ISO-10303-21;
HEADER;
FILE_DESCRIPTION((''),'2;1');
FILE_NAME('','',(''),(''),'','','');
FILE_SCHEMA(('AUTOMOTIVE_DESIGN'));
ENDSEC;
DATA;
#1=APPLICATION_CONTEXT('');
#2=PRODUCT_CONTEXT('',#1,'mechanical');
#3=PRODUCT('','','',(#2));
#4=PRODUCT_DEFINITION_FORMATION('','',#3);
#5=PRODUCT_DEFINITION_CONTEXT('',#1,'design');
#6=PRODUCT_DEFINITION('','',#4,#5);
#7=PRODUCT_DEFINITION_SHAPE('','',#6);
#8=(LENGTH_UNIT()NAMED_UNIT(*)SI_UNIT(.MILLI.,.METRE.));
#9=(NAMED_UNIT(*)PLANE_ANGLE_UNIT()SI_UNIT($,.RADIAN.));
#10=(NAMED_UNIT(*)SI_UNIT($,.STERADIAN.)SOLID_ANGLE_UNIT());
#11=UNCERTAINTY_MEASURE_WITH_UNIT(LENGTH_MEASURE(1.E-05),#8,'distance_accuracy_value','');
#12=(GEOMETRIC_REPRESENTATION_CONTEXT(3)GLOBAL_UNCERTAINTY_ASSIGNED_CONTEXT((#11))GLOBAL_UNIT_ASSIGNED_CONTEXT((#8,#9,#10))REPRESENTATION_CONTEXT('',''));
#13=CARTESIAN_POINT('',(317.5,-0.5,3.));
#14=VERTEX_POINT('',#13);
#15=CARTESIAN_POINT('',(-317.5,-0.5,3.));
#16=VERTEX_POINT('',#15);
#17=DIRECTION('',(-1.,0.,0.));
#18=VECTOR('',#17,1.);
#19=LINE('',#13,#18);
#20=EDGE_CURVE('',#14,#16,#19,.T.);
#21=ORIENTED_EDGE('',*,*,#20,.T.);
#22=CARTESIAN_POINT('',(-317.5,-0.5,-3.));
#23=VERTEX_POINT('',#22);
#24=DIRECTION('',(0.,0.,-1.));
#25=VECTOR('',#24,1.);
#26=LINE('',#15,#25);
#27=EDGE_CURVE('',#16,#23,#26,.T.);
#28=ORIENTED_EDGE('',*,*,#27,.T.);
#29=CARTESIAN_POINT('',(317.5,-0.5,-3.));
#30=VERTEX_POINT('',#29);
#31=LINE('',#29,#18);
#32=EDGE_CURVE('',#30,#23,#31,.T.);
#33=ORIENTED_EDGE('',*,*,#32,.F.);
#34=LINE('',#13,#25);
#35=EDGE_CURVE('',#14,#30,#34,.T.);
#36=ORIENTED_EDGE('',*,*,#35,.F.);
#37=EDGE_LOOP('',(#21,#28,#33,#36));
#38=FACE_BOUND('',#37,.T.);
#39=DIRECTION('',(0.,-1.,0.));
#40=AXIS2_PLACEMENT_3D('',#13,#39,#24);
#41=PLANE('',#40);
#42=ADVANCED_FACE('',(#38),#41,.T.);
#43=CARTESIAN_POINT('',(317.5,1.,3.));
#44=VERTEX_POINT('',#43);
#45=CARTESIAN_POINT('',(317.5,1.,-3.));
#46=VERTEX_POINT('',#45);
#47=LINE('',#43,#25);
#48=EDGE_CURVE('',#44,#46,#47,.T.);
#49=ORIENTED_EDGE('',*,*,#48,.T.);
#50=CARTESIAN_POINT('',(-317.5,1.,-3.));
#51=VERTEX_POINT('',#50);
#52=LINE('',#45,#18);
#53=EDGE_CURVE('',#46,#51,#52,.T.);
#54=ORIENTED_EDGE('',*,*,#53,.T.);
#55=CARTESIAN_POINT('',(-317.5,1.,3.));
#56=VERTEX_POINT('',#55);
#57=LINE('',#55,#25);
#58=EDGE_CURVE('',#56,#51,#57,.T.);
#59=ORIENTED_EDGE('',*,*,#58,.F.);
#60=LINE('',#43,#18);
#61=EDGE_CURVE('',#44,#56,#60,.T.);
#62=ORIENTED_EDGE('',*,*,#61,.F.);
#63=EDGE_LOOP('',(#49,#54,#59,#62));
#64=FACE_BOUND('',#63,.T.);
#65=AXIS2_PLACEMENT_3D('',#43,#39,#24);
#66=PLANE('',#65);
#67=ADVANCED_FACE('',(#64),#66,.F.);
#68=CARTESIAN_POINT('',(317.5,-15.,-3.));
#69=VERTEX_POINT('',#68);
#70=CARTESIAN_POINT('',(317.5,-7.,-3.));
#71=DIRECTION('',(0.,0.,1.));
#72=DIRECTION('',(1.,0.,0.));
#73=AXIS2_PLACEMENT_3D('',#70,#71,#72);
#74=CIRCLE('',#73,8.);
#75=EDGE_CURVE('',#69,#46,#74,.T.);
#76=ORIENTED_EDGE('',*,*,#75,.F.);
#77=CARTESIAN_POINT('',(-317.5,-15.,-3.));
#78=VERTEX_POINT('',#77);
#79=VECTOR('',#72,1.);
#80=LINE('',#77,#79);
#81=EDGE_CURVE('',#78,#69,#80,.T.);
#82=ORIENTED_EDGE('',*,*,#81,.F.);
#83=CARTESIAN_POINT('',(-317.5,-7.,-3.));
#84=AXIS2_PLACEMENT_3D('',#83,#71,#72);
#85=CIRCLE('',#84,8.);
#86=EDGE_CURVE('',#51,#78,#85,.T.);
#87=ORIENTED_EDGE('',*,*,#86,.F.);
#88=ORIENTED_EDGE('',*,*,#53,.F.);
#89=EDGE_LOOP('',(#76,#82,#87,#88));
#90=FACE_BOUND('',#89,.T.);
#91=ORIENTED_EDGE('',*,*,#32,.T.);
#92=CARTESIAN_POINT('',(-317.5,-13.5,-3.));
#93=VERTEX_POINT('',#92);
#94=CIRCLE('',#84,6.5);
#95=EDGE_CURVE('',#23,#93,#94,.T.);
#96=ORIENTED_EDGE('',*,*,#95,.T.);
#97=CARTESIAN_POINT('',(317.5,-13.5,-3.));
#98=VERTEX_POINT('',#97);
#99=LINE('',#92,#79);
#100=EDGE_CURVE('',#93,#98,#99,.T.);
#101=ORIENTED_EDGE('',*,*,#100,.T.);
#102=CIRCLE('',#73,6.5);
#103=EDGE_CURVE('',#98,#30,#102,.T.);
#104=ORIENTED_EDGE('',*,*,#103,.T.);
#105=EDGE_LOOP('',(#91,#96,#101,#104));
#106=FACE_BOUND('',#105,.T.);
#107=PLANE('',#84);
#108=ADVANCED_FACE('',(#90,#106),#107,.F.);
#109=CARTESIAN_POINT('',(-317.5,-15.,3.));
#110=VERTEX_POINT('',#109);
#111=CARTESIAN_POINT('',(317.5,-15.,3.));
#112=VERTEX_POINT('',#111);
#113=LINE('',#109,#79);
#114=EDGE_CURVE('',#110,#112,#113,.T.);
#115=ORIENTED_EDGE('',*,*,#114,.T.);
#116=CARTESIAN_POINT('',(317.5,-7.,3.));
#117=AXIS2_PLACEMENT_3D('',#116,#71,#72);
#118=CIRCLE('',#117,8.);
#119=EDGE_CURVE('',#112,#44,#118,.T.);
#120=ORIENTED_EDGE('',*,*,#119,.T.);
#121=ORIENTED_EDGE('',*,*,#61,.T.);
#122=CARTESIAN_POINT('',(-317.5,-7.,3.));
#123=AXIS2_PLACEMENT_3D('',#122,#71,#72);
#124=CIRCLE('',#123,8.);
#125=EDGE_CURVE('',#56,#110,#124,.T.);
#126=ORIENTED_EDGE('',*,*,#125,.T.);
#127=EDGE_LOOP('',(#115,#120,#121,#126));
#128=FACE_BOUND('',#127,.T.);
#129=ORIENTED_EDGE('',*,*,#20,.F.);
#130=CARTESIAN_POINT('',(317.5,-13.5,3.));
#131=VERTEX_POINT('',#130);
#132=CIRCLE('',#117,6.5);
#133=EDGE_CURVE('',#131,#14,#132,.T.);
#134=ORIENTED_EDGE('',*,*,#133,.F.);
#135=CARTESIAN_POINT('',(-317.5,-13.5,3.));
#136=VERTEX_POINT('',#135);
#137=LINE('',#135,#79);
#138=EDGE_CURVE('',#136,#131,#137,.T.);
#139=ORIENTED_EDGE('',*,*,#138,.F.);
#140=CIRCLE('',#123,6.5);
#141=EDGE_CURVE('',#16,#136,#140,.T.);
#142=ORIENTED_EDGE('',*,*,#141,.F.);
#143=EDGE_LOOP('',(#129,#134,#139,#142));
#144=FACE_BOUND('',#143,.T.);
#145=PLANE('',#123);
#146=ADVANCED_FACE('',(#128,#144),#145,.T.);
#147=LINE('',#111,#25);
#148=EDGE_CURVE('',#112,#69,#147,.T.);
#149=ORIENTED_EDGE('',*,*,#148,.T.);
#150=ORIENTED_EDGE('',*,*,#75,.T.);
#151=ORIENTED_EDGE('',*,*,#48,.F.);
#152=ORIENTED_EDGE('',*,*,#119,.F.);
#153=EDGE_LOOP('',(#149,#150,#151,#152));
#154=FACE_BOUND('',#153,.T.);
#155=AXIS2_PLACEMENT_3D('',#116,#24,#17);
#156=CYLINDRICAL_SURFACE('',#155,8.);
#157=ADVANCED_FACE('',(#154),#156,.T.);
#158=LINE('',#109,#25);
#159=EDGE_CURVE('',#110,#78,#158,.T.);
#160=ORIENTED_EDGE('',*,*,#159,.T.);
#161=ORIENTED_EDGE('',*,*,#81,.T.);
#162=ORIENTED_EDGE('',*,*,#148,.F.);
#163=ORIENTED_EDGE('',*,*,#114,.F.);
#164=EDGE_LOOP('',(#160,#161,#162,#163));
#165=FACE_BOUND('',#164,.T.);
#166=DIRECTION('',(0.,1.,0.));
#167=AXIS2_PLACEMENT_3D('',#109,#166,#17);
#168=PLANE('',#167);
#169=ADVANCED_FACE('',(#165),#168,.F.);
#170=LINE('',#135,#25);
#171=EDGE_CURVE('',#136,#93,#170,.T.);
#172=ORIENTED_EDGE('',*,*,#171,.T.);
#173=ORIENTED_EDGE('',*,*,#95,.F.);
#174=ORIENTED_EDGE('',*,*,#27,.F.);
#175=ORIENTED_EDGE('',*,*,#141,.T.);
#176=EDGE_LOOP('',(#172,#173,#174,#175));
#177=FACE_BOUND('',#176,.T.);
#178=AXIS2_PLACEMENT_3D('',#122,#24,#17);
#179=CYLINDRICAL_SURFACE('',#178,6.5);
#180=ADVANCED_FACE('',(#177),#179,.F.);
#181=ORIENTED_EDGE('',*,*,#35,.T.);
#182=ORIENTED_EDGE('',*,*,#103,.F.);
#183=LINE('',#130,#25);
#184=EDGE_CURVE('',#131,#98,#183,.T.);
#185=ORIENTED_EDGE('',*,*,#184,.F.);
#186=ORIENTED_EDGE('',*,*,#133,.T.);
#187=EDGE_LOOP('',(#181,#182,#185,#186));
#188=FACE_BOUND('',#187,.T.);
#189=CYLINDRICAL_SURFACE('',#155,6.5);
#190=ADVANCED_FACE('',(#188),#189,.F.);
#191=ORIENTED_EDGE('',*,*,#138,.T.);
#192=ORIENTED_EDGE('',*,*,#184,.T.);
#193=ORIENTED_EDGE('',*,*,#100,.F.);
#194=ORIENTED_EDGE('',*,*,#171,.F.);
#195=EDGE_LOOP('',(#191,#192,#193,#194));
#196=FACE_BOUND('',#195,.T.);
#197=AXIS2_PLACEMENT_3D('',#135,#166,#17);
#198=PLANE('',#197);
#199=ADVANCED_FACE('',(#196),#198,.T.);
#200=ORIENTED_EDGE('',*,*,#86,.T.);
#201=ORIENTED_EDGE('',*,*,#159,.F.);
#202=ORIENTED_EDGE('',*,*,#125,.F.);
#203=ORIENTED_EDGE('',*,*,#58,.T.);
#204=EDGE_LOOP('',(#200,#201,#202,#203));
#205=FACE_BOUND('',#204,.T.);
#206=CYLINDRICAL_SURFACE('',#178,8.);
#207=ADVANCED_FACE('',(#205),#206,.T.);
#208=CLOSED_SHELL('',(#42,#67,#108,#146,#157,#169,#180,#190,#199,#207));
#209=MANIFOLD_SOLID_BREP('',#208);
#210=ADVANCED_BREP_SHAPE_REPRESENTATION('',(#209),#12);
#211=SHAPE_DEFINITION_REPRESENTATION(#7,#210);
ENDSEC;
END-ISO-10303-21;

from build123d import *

# Parameters (mm, degrees)
EXTRUDE_THIN1_DEPTH = 3


with BuildPart() as part:
    # Sketch1 → Extrude-Thin1 (new, symmetric)
    with BuildSketch(Plane.XY):
        with BuildLine():
            Line((317.5, 1), (-317.5, 1))
            ThreePointArc((-317.5, 1), (-325.5, -7), (-317.5, -15))
            Line((-317.5, -15), (317.5, -15))
            ThreePointArc((317.5, -15), (325.5, -7), (317.5, 1))
        make_face()
        with BuildLine():
            Line((317.5, -0.5), (-317.5, -0.5))
            ThreePointArc((-317.5, -0.5), (-324, -7), (-317.5, -13.5))
            Line((-317.5, -13.5), (317.5, -13.5))
            ThreePointArc((317.5, -13.5), (324, -7), (317.5, -0.5))
        make_face(mode=Mode.SUBTRACT)
    extrude(amount=EXTRUDE_THIN1_DEPTH, both=True)


solid = part.part
